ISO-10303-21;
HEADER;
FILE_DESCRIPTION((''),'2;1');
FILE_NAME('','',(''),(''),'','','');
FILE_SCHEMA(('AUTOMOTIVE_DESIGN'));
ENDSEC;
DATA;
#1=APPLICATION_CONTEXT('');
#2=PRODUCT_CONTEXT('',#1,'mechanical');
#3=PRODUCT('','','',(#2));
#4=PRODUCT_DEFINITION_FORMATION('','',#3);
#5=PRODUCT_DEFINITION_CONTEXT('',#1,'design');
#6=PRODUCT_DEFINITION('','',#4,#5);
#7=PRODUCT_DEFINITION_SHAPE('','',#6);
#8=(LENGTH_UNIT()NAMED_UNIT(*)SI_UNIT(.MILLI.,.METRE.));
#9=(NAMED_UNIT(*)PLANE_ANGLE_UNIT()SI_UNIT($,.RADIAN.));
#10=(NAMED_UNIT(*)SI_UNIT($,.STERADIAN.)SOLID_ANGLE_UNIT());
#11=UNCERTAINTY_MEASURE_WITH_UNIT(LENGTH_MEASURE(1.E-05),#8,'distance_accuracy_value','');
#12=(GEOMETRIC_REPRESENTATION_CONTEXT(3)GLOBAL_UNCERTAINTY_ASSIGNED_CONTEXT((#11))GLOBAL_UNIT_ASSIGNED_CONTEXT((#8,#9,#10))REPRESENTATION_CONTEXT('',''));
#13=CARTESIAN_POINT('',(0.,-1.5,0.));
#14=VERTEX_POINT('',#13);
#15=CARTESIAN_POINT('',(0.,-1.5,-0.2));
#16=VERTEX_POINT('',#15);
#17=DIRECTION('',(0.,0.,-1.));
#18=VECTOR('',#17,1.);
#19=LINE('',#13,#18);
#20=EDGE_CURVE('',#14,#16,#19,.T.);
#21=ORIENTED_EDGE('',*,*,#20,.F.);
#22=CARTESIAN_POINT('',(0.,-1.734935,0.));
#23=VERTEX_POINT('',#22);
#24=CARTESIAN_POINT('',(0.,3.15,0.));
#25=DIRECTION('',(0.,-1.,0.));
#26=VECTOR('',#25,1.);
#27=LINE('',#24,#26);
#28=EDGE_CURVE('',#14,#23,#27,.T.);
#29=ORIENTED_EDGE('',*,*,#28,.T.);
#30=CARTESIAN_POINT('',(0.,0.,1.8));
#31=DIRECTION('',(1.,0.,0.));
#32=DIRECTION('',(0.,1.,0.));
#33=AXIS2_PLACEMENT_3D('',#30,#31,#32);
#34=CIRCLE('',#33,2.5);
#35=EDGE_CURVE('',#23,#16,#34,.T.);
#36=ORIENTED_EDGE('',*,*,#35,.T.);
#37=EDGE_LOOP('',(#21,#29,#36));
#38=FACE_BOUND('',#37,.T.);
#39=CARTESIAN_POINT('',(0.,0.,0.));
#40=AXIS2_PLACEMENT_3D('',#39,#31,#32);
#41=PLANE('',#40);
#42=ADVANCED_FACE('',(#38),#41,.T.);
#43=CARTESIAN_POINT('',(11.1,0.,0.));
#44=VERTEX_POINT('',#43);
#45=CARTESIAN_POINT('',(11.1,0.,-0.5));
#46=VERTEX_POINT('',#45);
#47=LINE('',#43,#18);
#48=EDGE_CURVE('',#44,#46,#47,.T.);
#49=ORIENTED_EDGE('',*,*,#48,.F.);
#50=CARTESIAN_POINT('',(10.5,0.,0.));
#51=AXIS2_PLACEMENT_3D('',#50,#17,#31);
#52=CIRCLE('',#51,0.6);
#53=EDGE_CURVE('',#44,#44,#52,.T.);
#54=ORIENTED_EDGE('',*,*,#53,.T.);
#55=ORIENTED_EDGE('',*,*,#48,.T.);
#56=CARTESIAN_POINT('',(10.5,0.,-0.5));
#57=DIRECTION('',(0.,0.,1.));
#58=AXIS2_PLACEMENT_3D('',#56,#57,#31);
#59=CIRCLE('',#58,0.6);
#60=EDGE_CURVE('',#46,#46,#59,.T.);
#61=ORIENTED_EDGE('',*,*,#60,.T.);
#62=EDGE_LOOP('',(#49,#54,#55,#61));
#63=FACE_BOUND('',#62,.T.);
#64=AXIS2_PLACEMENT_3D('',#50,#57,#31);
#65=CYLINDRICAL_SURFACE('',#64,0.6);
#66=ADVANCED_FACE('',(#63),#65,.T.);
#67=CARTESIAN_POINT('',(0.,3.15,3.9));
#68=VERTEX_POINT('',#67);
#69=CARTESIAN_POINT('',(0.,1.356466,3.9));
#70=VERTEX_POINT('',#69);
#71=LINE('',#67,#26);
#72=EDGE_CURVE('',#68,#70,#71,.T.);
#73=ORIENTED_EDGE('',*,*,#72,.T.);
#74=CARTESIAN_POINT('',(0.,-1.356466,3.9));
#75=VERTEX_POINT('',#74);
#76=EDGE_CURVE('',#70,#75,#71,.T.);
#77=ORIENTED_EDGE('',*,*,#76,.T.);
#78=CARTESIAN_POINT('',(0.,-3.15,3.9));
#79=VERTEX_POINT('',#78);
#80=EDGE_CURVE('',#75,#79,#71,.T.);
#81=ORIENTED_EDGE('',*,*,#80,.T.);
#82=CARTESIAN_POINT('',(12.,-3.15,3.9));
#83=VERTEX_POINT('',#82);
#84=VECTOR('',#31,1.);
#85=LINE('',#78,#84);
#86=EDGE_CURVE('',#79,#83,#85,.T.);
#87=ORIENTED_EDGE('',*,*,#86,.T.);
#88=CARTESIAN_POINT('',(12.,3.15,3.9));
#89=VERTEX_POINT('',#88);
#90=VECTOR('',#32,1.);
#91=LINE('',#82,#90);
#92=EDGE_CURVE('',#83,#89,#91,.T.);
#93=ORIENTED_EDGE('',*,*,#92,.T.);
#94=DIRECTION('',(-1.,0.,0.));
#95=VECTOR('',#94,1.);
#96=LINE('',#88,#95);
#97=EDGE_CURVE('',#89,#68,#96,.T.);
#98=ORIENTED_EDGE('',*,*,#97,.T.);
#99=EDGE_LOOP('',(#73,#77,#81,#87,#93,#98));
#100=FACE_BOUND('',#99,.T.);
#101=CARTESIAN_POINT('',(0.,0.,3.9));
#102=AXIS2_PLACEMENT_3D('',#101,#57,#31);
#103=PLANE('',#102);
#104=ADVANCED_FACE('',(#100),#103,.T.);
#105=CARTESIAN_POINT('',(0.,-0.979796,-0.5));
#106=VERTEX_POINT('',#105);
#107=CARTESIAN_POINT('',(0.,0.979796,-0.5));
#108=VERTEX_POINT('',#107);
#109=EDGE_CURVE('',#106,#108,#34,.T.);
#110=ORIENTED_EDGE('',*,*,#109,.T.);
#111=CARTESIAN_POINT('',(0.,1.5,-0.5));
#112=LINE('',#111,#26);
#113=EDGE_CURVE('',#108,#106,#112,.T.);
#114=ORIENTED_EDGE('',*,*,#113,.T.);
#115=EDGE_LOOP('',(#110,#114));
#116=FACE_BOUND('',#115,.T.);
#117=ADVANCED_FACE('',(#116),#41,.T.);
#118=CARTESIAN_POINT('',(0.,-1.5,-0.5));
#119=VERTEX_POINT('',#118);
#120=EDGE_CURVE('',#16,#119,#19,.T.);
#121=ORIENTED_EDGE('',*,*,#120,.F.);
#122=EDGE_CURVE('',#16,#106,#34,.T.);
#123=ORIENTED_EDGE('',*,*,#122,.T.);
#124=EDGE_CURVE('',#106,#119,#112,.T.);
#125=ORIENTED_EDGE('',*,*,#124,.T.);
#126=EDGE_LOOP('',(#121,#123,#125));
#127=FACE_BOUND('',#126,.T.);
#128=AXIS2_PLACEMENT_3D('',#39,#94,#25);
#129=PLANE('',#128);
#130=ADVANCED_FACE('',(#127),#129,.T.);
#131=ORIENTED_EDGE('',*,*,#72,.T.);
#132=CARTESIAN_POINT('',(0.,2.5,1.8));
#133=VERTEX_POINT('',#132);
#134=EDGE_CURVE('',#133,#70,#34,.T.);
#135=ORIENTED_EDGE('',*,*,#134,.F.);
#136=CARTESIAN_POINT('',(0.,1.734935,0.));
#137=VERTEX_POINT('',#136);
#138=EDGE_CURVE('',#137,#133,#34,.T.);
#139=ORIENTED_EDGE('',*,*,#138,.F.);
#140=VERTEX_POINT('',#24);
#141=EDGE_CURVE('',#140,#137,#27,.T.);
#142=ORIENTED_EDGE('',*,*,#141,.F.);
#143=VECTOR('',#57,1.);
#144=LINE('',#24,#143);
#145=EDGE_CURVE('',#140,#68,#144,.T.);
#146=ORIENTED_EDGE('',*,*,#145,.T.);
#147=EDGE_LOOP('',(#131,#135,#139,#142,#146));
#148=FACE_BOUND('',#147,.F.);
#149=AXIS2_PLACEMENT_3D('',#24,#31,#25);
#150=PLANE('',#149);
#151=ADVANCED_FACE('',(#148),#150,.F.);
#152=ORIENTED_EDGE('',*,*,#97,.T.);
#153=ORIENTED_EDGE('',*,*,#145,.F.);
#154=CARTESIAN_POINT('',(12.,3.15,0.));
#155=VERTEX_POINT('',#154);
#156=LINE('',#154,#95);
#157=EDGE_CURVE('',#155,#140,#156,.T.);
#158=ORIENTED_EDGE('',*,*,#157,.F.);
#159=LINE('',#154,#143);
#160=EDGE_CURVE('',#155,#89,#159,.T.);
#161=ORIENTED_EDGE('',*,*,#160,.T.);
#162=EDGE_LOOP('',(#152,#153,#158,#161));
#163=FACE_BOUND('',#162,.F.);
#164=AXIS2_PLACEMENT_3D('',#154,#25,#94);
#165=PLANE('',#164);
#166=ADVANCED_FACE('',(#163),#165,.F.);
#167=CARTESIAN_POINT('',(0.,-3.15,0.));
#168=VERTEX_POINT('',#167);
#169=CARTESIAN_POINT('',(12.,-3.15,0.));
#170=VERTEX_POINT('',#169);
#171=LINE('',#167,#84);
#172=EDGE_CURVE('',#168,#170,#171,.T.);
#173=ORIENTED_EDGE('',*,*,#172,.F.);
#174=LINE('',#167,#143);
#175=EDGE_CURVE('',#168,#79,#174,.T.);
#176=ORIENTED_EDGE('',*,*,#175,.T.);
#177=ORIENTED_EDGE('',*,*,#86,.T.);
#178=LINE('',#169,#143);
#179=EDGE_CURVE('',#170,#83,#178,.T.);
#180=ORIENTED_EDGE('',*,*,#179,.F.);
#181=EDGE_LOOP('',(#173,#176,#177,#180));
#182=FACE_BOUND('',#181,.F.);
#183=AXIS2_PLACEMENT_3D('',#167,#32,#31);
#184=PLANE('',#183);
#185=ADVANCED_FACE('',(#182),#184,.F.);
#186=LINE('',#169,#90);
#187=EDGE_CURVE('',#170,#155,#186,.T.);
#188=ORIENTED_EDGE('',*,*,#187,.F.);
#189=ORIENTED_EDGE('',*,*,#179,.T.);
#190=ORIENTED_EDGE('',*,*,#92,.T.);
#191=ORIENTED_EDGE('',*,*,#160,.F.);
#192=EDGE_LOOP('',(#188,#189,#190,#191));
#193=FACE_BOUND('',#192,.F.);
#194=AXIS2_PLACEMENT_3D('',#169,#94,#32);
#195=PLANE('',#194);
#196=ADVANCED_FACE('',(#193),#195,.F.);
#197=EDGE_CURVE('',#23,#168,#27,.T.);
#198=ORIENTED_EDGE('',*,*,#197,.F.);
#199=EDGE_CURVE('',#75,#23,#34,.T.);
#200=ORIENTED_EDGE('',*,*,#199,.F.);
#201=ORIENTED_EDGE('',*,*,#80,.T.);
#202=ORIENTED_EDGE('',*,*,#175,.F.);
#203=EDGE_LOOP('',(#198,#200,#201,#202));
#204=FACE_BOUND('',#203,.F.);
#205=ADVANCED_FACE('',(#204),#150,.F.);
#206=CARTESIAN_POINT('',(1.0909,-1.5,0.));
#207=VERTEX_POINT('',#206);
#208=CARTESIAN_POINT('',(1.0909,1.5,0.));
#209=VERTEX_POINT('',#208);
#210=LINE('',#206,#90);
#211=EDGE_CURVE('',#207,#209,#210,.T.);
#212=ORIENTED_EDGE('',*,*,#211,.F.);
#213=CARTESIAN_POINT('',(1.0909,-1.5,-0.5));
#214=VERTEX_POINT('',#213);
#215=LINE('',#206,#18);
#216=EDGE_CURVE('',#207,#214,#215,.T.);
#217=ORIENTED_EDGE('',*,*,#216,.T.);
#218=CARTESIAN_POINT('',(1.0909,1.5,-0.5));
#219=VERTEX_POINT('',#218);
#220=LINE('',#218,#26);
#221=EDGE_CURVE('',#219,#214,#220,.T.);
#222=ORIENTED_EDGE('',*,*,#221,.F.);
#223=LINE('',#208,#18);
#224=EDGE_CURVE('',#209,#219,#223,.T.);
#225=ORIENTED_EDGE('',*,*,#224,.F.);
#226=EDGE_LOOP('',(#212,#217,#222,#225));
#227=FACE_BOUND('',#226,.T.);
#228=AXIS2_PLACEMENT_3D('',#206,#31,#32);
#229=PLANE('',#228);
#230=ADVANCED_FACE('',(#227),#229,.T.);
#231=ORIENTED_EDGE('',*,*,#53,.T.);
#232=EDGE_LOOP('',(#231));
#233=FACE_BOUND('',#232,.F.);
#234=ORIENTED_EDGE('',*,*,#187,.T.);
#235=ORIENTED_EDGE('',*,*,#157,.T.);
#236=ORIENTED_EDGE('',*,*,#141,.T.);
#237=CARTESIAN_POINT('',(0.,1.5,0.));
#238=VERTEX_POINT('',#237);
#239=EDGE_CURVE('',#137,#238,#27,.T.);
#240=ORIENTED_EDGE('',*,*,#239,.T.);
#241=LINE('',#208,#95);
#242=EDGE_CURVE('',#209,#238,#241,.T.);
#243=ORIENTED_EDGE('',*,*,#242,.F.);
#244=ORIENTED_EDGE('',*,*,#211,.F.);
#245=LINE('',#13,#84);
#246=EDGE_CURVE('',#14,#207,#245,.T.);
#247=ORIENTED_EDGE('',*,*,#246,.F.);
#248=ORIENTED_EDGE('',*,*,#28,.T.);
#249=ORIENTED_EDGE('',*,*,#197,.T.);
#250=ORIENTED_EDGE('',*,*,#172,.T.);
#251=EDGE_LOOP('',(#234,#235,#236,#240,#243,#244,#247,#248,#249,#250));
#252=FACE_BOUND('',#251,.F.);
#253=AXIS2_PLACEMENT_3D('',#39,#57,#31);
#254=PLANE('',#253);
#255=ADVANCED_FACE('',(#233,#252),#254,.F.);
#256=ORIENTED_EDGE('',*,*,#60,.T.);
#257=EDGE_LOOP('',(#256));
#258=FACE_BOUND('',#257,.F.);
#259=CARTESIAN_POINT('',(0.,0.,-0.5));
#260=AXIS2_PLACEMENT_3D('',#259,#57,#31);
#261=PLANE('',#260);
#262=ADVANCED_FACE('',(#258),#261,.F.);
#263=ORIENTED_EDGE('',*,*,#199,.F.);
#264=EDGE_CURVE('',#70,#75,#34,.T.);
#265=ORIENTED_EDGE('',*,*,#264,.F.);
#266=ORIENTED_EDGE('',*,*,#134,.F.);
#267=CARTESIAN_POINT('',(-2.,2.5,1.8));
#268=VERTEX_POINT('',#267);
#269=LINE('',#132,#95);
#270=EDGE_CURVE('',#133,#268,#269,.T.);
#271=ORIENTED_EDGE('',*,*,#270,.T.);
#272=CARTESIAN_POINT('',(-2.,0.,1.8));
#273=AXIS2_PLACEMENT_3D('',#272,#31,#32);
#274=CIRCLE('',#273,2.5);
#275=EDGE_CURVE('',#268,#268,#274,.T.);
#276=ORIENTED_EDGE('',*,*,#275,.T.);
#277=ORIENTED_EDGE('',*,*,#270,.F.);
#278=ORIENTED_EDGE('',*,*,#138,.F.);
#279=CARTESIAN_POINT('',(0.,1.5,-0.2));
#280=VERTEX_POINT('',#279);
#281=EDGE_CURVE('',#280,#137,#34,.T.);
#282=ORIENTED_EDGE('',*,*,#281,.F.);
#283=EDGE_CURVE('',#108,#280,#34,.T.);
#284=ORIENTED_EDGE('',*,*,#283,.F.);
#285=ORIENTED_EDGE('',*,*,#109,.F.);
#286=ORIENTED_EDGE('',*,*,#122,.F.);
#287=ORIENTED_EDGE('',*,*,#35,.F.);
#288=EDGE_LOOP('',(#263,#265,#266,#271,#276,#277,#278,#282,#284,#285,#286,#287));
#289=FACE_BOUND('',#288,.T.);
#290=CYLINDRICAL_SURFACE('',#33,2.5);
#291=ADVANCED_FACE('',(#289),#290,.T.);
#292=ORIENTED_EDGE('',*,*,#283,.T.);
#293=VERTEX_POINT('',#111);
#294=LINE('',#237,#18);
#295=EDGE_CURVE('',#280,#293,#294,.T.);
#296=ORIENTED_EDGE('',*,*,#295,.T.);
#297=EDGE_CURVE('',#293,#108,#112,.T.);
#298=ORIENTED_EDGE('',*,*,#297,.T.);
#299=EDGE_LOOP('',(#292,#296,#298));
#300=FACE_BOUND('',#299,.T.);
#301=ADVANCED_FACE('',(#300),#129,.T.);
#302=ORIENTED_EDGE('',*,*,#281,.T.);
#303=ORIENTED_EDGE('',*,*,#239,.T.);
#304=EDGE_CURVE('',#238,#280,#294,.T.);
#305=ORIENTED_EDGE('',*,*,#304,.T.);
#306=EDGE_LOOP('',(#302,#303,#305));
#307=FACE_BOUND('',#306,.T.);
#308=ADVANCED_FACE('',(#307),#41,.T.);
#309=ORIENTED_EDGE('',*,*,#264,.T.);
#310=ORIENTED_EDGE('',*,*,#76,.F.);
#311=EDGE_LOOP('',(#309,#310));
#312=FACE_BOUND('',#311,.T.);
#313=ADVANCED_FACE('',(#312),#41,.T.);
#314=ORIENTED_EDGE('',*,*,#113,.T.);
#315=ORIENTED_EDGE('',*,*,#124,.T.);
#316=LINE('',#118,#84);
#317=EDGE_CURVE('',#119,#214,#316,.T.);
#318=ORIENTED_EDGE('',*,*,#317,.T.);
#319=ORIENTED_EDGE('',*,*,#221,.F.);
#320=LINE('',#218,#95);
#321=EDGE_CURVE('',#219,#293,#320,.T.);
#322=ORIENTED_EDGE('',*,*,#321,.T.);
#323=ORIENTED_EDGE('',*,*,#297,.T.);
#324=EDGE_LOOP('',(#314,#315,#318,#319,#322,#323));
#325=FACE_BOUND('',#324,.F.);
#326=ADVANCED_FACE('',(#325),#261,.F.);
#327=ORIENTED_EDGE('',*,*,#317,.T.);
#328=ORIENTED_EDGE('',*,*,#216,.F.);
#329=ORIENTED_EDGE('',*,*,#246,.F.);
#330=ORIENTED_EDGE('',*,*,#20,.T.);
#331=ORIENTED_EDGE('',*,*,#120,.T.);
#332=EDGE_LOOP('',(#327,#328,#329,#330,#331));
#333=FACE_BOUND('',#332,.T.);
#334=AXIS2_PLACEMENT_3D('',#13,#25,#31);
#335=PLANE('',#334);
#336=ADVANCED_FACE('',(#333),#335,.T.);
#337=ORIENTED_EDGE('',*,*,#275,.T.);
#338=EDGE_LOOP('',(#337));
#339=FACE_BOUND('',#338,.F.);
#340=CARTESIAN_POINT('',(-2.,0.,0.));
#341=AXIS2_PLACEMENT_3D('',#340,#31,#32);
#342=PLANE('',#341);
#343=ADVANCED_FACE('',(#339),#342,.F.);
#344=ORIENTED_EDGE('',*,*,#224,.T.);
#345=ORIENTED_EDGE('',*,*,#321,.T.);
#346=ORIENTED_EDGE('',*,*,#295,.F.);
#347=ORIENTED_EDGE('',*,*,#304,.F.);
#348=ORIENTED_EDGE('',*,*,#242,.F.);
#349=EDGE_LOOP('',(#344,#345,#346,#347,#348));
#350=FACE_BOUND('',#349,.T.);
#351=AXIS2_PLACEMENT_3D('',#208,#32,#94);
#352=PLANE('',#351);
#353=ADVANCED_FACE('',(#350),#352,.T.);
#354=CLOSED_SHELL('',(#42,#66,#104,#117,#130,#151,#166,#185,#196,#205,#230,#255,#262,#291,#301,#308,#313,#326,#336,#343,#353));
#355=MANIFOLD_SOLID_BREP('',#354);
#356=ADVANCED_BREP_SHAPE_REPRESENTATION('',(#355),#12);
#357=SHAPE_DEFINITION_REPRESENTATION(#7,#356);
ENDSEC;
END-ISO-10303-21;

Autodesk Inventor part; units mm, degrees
sketch "スケッチ1" plane through (0, 0, 0) normal (0, 1, 0) x (-1, 0, 0)
  point P0 (0, 0)
sketch "スケッチ2" plane through (0, 0, 0) normal (0, 0, 1) x (1, 0, 0)
  circle A0 centre (10.5, 0) radius 0.6
  line L0 (-2.22, 0) -> (13.32, 0) projected
  point P0 (0, 0)
  point P1 (0, 0)
  dimension "d0" = 1.2
  dimension "d3" = 10.5
extrude "押し出し1" add sketch "スケッチ2" against normal blind 0.5
sketch "スケッチ4" plane through (0, 0, 0) normal (0, 0, 1) x (1, 0, 0)
  line L0 (12, 3.15) -> (0, 3.15)
  line L1 (0, 3.15) -> (0, -3.15)
  line L2 (0, -3.15) -> (12, -3.15)
  line L3 (12, -3.15) -> (12, 3.15)
  point P0 (0, 0)
  dimension "d4" = 3.15
  dimension "d5" = 6.3
  dimension "d6" = 12
extrude "押し出し2" add sketch "スケッチ4" along normal blind 3.9
sketch "スケッチ5" plane through (0, 0, 0) normal (1, 0, 0) x (0, 1, 0)
  circle A0 centre (0, 1.8) radius 2.5
  point P0 (0, 0)
  dimension "d9" = 5
  dimension "d10" = 1.8
extrude "押し出し3" add sketch "スケッチ5" against normal blind 2
sketch "スケッチ6" plane through (0, 0, 0) normal (0, 0, 1) x (1, 0, 0)
  line L0 (0, -1.5) -> (1.0909, -1.5)
  line L1 (1.0909, -1.5) -> (1.0909, 1.5)
  line L2 (1.0909, 1.5) -> (0, 1.5)
  line L3 (0, 1.5) -> (0, -1.5)
  line L4 (-4.8, 0) -> (14.8, 0) projected
  point P0 (0, 0)
  dimension "d13" = 3
  dimension "d14" = 1.5
extrude "押し出し4" add sketch "スケッチ6" against normal blind 0.5
properties part number "ST-PJ-312"
